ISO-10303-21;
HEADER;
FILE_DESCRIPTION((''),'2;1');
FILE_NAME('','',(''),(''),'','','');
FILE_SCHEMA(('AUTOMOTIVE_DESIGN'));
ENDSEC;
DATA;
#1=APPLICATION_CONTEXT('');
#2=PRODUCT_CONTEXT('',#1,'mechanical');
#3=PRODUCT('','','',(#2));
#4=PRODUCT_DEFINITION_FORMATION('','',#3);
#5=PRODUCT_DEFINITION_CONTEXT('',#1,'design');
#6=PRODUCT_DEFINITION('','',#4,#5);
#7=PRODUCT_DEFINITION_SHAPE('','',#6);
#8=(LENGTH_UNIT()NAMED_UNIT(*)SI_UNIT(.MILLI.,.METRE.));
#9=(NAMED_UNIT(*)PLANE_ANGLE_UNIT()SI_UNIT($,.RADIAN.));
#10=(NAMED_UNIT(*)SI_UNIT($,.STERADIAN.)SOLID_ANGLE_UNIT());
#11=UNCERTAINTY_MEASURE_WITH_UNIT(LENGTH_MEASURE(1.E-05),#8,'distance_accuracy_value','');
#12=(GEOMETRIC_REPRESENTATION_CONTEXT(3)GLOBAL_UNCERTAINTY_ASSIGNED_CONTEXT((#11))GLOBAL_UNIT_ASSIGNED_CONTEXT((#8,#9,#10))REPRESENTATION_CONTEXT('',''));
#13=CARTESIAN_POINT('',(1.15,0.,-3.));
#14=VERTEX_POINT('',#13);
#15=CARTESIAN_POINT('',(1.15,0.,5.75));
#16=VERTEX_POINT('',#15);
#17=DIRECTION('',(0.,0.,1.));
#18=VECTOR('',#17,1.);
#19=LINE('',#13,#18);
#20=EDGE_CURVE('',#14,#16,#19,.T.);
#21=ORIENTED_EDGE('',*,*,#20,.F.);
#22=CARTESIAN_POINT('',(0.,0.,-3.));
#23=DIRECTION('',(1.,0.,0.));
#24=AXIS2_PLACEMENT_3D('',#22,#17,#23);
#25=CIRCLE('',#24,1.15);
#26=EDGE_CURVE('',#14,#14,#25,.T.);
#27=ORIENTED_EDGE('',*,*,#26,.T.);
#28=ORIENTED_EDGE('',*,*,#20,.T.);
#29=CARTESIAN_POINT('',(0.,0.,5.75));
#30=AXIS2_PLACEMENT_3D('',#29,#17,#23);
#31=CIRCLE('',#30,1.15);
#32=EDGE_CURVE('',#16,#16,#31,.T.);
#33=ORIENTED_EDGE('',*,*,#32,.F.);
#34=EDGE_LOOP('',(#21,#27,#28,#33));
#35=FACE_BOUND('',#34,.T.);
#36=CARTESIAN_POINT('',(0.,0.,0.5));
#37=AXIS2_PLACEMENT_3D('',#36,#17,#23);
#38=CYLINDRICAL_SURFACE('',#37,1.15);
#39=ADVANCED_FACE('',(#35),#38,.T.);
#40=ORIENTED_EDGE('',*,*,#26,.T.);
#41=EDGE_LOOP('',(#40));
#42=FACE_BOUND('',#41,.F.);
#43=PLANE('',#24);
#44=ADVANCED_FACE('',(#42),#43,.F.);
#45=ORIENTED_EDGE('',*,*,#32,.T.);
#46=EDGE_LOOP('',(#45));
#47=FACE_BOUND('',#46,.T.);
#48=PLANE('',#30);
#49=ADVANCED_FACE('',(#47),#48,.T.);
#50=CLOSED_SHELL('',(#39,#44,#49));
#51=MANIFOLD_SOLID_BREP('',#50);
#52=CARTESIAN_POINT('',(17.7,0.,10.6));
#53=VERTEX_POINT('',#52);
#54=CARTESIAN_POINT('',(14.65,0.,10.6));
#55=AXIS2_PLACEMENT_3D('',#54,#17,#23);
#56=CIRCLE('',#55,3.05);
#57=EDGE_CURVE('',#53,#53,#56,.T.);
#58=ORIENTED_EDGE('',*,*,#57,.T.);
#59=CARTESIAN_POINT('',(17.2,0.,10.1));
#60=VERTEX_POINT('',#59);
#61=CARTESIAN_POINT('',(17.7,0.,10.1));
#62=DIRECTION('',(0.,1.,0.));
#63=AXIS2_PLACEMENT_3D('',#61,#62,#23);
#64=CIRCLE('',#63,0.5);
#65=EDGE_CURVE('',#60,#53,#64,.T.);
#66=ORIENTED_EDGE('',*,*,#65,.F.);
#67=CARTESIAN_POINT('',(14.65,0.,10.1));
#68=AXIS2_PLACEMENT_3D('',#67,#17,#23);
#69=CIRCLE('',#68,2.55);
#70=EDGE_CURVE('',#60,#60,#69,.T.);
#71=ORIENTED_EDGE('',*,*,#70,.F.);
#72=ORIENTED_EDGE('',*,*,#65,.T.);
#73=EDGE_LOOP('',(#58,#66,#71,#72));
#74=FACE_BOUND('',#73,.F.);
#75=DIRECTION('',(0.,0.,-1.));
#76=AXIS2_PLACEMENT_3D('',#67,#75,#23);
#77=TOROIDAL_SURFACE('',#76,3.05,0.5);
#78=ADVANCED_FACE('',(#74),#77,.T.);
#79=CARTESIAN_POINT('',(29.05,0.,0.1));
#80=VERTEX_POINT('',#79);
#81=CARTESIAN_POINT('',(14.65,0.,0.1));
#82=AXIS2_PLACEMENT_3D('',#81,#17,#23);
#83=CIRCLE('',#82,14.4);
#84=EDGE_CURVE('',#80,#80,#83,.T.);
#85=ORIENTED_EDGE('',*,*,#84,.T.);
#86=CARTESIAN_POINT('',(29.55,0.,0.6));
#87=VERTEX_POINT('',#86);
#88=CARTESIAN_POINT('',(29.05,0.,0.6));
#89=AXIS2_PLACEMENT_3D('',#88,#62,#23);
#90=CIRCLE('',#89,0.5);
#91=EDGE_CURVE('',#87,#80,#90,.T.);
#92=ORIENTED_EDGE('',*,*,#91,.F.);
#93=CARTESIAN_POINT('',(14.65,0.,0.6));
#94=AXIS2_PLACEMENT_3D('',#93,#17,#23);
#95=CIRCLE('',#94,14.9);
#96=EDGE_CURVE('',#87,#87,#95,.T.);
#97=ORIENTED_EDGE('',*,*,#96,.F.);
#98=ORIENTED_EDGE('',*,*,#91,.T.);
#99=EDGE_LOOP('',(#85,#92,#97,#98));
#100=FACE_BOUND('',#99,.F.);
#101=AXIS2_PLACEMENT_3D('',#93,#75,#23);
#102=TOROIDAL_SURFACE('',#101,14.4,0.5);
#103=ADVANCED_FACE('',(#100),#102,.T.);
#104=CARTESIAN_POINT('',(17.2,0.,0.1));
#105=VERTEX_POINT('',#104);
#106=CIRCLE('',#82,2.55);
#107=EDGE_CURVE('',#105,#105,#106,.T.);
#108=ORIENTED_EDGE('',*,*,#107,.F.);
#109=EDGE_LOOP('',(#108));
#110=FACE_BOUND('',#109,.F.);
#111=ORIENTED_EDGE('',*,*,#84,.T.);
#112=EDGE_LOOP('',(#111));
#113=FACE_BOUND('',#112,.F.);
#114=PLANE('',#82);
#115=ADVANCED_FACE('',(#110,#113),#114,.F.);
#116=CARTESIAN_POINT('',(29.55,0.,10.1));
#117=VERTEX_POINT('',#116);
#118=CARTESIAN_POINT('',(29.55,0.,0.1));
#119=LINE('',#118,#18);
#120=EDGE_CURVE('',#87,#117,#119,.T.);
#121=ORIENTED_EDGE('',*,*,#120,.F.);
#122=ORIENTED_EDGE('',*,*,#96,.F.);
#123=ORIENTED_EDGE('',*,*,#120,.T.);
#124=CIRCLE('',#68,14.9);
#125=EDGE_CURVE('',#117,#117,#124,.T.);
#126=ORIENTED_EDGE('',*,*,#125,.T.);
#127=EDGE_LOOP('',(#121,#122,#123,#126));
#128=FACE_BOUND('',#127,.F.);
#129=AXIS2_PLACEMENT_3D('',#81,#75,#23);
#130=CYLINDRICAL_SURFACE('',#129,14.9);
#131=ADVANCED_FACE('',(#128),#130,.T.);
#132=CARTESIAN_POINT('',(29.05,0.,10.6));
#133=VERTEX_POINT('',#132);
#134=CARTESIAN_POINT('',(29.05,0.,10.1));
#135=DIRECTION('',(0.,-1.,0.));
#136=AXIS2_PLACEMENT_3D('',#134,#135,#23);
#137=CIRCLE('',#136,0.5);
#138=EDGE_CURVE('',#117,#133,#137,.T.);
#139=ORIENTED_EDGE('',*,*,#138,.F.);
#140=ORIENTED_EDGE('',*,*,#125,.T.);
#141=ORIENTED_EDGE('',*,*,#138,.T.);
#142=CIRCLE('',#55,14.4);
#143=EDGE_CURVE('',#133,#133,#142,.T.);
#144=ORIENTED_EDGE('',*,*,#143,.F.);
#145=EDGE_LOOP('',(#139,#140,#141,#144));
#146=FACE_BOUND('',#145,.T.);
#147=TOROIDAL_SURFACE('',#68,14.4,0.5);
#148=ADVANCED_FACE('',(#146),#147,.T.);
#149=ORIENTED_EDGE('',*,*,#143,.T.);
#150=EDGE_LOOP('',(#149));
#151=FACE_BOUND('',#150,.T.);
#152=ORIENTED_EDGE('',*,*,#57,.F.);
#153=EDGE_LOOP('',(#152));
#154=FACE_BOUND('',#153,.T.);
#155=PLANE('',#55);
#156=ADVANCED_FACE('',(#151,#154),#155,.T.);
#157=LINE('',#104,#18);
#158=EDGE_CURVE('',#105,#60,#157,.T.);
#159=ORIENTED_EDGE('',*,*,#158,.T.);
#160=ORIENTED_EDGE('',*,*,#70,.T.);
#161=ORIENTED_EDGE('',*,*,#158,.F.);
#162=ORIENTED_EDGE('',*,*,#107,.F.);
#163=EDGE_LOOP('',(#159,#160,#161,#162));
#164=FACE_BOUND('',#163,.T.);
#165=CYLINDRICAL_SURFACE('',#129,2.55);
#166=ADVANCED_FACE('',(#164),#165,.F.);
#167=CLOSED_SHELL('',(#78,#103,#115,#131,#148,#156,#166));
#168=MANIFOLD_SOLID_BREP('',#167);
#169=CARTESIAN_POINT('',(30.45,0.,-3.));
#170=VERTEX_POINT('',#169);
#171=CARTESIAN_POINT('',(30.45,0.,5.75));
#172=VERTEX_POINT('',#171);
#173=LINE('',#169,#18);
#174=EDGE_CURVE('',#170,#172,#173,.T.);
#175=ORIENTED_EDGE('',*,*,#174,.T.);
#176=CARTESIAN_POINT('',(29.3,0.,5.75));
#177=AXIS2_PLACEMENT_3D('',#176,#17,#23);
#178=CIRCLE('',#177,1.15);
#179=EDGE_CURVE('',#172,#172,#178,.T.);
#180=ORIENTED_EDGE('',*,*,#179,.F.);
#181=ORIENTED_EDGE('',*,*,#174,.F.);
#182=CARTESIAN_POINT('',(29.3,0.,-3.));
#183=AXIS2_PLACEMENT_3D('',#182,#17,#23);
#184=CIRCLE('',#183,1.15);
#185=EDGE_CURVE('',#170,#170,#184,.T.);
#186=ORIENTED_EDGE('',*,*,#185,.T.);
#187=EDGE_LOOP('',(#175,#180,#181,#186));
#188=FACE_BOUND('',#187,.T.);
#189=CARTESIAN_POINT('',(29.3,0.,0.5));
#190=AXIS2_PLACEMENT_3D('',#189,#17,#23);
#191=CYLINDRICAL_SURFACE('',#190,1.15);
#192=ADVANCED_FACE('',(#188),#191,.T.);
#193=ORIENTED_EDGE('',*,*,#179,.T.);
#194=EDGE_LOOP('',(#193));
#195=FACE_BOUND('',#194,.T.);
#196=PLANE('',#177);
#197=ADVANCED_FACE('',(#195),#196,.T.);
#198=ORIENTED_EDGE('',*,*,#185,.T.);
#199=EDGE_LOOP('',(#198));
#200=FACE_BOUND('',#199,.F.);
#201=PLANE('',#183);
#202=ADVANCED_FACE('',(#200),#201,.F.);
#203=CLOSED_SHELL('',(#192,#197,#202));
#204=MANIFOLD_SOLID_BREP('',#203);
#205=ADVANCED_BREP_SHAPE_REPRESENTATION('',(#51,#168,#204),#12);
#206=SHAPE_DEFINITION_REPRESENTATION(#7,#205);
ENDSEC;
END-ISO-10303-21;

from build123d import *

# Parameters (mm, degrees)
SKETCH001_R       = 1.15
PAD001_DEPTH      = 5.25
PAD001_DEPTH_BACK = 3.5
SKETCH_R          = 14.9
SKETCH_R_2        = 2.55
PAD_DEPTH         = 10.5
FILLET_R          = 0.5


with BuildPart() as pad001:
    # Sketch001 → Pad001 (new body, two sides)
    with BuildSketch(Plane.XY.offset(0.5)) as pad001_sk:
        Circle(SKETCH001_R)
        with Locations((29.3, 0)):
            Circle(SKETCH001_R)
    extrude(amount=PAD001_DEPTH)
    extrude(pad001_sk.sketch, amount=-PAD001_DEPTH_BACK)


with BuildPart() as fillet_body:
    # Sketch → Pad (new body)
    with BuildSketch(Plane.XY.offset(0.1)):
        with Locations((14.65, 0)):
            Circle(SKETCH_R)
        with Locations((14.65, 0)):
            Circle(SKETCH_R_2, mode=Mode.SUBTRACT)
    extrude(amount=PAD_DEPTH)

    # Fillet
    fillet_edges = [fillet_body.edges().sort_by_distance(p)[0] for p in [
        (12.1, 0, 10.6),
        (-0.25, 0, 10.6),
        (-0.25, 0, 0.1),
    ]]
    fillet(fillet_edges, radius=FILLET_R)


solid = Compound([pad001.part, fillet_body.part])
